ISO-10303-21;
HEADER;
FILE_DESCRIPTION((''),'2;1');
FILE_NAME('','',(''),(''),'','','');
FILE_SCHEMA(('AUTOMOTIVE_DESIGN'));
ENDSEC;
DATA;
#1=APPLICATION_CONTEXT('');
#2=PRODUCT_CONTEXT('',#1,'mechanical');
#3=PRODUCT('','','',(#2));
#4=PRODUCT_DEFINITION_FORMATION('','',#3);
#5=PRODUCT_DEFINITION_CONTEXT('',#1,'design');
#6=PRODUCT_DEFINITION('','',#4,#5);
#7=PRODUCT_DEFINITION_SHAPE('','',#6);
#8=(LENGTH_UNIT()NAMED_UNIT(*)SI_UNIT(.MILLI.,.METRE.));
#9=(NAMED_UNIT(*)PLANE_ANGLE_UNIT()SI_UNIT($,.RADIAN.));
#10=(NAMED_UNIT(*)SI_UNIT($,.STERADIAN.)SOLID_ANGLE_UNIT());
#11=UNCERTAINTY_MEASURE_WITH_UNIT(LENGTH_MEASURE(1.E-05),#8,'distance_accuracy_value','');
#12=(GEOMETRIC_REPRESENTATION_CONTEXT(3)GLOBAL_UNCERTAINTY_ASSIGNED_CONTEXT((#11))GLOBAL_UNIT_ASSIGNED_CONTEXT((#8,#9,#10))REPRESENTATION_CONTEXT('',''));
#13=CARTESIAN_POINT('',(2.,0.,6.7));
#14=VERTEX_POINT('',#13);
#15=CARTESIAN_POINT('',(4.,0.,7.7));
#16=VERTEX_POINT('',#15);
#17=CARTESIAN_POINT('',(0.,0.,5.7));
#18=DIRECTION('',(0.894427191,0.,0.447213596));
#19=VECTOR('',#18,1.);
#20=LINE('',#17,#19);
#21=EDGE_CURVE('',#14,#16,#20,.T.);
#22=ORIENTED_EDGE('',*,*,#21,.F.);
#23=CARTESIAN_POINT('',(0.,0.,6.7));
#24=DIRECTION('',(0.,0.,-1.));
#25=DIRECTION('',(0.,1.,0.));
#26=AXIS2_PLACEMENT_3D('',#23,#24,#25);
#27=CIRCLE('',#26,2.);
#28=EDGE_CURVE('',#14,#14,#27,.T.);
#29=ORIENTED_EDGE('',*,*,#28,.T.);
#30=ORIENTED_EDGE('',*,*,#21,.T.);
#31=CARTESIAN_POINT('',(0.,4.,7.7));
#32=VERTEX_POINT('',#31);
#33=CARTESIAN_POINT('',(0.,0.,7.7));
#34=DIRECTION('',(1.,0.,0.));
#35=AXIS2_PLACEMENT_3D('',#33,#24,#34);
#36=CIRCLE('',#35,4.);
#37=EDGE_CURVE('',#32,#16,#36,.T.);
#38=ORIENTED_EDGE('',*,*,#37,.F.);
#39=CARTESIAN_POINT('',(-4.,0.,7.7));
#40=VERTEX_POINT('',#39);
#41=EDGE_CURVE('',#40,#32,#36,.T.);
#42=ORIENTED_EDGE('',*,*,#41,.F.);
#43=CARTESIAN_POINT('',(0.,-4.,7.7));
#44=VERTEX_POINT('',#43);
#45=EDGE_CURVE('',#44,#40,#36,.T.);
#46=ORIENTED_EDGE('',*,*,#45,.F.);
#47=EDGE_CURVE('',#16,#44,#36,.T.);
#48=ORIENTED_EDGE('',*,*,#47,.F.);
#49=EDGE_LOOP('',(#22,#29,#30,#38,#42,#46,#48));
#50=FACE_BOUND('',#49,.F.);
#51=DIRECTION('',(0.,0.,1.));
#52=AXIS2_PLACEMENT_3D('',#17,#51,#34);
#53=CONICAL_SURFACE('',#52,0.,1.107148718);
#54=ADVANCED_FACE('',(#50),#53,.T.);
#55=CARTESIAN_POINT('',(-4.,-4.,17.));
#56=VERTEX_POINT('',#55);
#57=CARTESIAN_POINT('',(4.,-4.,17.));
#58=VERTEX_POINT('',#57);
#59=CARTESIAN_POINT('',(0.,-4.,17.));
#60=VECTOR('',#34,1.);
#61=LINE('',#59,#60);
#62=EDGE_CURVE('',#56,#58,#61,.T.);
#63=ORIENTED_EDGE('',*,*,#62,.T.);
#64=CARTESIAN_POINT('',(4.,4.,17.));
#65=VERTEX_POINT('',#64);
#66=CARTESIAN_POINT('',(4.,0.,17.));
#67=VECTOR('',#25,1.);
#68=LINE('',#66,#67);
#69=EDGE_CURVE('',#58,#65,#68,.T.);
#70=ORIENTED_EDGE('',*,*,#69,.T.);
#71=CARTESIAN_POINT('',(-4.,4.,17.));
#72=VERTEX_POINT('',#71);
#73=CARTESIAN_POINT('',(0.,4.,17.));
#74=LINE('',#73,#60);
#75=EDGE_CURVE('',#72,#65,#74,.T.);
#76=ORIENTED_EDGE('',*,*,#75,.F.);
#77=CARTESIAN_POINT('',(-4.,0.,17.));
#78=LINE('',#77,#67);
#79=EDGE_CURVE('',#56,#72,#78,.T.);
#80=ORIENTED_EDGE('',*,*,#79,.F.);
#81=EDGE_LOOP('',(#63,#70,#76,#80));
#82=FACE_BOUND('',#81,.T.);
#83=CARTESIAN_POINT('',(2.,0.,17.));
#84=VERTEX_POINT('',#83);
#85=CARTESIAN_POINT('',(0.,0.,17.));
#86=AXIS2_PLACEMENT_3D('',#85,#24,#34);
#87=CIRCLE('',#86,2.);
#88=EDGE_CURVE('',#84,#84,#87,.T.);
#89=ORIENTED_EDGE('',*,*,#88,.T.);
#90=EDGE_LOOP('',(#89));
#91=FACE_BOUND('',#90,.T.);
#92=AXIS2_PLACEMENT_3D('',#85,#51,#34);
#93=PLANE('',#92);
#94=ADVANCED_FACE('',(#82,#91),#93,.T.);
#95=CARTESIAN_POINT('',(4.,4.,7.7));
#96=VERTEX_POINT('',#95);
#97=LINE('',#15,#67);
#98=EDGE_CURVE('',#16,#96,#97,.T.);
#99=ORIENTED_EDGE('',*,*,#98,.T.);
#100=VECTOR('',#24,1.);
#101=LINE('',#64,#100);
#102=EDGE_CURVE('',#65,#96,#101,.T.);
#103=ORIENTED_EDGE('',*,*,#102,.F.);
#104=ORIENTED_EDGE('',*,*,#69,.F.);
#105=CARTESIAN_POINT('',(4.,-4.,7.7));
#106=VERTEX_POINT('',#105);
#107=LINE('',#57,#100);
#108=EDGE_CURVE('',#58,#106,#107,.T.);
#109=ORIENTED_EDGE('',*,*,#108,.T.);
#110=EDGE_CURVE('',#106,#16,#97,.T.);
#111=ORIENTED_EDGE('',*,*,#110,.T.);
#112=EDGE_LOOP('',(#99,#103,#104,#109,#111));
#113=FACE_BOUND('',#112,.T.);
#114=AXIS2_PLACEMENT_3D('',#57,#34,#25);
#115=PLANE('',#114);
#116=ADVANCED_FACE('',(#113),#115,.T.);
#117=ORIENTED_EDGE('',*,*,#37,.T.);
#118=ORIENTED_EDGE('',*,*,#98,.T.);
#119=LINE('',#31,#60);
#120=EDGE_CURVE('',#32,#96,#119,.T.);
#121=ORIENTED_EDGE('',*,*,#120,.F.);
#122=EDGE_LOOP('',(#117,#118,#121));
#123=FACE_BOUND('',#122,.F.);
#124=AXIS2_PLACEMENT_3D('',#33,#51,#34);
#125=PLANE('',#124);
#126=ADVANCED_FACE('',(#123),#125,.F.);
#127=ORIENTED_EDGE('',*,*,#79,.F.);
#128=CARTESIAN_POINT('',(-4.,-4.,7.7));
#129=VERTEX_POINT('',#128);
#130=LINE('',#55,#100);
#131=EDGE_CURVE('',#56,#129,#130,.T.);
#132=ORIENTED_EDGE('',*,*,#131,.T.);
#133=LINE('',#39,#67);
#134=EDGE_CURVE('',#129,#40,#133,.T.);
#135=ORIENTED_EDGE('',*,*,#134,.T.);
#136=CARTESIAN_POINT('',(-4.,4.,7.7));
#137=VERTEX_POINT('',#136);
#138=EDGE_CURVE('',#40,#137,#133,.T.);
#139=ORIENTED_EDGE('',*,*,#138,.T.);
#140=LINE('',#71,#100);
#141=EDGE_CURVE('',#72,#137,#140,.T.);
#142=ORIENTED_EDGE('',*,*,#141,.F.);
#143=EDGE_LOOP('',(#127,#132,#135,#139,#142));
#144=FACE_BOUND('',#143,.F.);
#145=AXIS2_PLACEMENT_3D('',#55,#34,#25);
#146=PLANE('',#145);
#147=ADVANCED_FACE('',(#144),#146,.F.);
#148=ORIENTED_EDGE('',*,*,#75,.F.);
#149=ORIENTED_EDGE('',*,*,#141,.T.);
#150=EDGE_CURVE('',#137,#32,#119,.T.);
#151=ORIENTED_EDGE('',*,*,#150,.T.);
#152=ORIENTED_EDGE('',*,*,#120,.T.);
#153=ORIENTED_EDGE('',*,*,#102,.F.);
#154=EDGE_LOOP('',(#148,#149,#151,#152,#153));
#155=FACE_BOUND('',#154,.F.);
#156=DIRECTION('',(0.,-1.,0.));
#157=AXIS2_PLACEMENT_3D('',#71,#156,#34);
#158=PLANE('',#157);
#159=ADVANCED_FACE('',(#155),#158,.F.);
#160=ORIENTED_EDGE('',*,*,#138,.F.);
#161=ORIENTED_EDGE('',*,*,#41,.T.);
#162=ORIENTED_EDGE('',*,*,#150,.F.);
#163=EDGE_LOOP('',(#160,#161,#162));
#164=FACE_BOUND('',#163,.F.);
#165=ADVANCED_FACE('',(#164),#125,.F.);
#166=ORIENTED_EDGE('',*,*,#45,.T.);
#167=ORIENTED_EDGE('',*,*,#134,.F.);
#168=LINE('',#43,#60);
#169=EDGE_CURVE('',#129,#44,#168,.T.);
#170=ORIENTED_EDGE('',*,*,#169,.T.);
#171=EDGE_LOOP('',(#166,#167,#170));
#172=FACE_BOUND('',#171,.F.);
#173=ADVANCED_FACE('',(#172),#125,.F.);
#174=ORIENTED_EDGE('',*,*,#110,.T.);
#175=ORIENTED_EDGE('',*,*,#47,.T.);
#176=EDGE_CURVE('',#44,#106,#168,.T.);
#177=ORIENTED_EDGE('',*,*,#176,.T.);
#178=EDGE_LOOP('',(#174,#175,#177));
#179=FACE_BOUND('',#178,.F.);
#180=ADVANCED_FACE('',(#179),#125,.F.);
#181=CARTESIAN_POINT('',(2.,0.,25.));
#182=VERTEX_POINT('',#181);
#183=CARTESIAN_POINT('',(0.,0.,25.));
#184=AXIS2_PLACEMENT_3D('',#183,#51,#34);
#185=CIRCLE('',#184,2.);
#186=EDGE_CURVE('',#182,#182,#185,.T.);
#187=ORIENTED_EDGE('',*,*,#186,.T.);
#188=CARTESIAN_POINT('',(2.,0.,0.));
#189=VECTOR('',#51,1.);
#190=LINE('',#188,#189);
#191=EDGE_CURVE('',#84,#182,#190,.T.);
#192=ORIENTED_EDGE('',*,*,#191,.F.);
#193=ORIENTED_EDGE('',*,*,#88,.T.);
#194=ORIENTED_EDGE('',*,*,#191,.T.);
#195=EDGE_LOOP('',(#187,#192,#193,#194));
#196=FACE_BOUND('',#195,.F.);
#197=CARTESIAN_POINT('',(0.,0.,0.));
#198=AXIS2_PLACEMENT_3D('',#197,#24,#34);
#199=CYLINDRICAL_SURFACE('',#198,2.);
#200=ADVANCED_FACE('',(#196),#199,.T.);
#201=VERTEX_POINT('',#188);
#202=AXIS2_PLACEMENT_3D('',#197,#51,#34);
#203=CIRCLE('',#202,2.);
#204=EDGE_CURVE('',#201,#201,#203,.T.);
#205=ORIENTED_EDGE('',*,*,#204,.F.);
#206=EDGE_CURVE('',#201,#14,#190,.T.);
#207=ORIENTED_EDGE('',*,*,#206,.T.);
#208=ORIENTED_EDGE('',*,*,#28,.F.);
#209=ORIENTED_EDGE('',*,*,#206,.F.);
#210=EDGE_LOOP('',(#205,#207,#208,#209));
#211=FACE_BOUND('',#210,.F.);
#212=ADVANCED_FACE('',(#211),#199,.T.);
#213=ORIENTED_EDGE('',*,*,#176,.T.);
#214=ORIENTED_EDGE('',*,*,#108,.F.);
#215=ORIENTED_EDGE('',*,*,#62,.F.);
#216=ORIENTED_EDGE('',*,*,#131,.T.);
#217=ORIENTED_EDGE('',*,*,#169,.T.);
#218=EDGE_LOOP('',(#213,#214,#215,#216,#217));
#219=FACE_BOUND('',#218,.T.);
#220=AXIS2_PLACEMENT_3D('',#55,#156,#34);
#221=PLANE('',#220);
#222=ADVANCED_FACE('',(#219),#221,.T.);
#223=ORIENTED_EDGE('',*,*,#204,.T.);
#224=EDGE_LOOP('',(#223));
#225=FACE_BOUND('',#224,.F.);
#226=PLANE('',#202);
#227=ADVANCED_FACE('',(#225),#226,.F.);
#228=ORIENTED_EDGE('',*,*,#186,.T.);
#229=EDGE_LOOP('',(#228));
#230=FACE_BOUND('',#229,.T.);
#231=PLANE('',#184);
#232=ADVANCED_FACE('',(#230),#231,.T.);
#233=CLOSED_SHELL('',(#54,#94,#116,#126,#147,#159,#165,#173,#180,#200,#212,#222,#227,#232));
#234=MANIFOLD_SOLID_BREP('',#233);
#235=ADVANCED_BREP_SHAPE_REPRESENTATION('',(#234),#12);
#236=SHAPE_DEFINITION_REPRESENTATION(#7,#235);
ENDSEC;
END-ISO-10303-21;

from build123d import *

# Parameters (mm, degrees)
F0_R     = 2
F1_DEPTH = 25
F3_W     = 8
F3_H     = 8
F4_DEPTH = 9.3


with BuildPart() as f1:
    # F0 (on Top) → F1 (new body)
    with BuildSketch(Plane.XY):
        Circle(F0_R)
    extrude(amount=F1_DEPTH)

    # F3 (on offset) → F4 (join)
    with BuildSketch(Plane.XY.offset(17)):
        Rectangle(F3_W, F3_H)
    extrude(amount=-F4_DEPTH)

    # F5 (on Front) → F6 (revolve)
    with BuildSketch(Plane.XZ):
        Polygon((0, 7.7), (0, 5.7), (4, 7.7), align=None)
    revolve(axis=Axis((0, 0, 6.7), (0, 0, -1)))


solid = f1.part
